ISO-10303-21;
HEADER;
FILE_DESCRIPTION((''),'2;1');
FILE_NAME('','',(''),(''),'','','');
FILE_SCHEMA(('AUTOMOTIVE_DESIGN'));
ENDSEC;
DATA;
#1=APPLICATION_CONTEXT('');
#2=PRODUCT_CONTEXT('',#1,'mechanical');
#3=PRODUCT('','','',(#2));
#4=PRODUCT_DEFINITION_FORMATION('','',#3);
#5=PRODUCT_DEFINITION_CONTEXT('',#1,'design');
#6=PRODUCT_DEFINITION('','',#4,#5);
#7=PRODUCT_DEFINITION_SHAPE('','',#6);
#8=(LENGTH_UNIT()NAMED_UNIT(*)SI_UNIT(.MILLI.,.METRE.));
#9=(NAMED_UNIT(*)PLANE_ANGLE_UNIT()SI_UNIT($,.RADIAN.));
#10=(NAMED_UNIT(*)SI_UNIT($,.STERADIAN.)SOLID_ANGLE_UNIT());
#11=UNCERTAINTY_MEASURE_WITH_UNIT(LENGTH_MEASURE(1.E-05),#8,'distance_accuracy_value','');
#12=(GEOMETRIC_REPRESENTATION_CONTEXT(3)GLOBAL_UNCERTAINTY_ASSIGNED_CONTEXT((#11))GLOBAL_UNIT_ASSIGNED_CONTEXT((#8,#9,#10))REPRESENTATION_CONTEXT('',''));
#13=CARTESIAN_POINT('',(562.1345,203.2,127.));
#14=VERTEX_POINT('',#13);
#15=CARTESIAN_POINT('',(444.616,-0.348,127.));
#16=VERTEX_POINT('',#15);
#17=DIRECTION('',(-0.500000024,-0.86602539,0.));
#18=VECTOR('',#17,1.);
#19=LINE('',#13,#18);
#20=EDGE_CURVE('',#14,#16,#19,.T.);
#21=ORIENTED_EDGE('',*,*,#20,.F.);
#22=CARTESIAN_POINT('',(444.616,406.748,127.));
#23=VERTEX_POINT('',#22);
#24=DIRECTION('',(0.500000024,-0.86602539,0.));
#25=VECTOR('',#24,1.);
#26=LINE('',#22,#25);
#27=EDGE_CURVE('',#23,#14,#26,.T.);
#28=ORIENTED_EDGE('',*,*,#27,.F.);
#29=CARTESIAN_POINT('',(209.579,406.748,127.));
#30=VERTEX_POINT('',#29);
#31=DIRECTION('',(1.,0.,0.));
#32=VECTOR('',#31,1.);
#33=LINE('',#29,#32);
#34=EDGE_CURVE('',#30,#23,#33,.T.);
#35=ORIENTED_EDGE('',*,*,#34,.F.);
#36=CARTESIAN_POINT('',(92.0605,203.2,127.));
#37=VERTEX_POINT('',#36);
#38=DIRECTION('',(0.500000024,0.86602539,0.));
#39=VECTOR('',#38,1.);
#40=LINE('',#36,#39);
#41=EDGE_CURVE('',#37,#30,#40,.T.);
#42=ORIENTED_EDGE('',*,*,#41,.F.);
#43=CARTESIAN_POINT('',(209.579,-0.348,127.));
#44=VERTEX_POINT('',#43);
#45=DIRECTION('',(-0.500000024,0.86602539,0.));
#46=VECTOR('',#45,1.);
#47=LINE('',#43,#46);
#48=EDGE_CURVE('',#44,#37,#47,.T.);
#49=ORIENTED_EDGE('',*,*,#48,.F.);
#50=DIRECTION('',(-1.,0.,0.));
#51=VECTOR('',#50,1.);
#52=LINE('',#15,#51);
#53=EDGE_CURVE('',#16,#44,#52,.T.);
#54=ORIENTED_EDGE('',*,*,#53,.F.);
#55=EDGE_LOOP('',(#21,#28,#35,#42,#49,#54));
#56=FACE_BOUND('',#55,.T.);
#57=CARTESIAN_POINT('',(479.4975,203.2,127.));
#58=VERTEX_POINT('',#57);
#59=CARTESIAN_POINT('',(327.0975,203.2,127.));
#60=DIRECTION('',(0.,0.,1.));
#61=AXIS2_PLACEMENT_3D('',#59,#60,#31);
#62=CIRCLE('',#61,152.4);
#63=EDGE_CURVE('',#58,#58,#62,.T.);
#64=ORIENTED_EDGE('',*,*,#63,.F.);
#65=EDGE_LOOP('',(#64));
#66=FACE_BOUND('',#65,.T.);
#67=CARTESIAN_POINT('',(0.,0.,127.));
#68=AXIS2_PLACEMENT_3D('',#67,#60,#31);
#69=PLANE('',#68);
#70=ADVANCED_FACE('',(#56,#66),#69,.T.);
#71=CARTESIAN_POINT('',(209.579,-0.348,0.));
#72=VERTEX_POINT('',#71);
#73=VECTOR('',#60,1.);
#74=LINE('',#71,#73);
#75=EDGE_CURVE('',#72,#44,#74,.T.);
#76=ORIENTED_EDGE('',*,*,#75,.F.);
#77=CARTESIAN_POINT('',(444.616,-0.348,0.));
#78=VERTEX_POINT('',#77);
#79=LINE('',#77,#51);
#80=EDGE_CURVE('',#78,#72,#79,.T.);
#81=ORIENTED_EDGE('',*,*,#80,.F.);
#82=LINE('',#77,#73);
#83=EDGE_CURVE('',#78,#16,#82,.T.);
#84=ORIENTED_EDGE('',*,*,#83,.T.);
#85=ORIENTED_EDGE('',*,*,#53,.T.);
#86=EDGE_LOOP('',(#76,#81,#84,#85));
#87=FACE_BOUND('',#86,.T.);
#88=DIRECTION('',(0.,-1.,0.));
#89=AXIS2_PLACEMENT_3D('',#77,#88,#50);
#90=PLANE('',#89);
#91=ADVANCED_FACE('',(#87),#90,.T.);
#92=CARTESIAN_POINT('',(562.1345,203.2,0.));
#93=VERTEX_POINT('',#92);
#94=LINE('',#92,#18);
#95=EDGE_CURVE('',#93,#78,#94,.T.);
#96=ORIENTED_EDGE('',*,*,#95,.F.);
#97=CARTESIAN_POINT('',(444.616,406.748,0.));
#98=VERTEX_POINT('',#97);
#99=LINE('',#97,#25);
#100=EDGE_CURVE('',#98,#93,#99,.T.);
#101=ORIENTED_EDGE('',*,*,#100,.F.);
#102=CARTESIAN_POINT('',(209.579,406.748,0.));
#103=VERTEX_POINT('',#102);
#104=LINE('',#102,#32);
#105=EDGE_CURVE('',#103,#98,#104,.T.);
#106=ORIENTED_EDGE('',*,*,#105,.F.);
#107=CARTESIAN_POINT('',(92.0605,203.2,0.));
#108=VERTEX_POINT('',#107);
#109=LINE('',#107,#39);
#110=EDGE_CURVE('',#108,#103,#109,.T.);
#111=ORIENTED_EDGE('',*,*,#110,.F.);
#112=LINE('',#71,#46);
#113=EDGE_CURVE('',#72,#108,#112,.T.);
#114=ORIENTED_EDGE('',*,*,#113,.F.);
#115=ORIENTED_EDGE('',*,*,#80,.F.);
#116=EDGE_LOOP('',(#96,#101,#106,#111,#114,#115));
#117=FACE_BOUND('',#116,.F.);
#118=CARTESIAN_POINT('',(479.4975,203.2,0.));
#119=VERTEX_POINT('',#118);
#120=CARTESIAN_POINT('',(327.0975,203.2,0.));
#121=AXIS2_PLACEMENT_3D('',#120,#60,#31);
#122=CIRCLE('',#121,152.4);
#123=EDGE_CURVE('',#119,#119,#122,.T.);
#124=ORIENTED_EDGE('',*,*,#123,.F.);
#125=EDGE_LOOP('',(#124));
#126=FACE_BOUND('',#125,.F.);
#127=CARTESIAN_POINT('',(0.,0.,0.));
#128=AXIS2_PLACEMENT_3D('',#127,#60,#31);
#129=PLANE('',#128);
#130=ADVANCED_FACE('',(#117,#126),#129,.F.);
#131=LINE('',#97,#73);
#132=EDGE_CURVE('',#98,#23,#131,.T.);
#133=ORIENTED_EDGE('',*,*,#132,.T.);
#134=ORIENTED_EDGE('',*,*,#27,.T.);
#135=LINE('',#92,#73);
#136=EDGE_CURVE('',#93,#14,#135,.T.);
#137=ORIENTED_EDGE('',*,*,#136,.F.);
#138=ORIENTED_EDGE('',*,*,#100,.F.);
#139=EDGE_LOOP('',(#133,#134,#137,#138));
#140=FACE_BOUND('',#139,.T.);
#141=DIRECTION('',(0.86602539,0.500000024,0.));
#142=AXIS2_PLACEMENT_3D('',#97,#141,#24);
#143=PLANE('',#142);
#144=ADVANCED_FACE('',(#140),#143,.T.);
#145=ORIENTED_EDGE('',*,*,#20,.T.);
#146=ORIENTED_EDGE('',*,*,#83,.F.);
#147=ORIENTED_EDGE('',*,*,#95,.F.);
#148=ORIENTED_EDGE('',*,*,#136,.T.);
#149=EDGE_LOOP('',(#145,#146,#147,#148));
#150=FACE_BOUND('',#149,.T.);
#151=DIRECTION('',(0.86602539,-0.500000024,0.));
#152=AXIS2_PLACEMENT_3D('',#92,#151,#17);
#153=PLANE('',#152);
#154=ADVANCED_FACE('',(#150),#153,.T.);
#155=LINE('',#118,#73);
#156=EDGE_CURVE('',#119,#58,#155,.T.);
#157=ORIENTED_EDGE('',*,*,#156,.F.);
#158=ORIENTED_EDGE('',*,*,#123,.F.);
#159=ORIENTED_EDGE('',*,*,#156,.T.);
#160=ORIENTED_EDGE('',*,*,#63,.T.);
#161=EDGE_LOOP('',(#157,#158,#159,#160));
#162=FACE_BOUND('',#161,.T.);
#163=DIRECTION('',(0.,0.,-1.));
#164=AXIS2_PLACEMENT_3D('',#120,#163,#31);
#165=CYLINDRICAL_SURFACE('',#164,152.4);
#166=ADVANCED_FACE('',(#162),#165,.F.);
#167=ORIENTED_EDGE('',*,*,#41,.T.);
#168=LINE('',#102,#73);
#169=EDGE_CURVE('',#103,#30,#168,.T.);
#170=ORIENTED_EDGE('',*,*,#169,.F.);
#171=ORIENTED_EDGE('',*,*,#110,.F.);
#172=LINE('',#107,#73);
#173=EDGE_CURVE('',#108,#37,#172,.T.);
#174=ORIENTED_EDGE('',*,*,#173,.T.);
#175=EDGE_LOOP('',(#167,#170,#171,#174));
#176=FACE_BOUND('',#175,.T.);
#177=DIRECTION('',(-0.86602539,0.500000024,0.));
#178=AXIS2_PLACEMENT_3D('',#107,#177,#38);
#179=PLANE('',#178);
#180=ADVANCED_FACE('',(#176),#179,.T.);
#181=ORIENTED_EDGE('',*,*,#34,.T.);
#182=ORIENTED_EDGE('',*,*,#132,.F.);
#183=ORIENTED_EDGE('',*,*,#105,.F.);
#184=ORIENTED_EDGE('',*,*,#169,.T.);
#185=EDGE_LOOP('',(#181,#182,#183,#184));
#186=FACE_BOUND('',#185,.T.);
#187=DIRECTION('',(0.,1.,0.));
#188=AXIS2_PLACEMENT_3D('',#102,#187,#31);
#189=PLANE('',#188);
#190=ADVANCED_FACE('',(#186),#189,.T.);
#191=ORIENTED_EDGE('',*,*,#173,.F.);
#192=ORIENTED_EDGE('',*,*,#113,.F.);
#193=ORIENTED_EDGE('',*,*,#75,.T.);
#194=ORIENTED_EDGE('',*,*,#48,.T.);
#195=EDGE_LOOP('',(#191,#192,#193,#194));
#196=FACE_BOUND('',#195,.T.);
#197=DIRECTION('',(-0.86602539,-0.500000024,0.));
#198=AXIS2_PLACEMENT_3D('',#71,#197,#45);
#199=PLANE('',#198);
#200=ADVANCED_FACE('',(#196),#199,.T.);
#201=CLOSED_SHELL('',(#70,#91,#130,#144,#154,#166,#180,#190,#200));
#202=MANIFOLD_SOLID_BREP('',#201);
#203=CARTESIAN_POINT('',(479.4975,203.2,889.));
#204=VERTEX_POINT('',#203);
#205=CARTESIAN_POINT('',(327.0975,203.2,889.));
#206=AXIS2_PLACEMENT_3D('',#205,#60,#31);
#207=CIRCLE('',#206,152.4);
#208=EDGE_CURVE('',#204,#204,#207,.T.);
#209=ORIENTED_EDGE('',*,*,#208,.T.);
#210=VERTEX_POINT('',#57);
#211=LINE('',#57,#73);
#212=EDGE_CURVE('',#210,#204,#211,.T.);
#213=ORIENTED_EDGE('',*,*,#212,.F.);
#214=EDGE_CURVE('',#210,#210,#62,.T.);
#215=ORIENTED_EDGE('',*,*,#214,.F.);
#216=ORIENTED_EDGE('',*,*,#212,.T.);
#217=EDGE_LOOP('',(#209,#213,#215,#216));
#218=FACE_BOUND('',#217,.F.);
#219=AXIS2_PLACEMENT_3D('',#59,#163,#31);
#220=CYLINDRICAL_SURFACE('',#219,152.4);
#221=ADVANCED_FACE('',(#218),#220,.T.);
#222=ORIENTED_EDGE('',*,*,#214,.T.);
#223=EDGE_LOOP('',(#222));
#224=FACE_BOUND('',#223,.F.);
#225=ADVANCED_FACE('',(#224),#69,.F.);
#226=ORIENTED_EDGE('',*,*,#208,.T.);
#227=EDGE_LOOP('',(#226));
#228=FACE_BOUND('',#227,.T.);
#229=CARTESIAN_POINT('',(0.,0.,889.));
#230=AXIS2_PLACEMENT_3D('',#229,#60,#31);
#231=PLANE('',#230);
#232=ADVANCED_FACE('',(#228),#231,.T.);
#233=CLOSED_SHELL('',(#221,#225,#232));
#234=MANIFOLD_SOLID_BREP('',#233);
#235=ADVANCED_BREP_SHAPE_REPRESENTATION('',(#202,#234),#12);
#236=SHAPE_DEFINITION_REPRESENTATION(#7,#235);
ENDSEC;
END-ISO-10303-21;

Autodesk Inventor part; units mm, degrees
ref_plane "YZ Plane" through (0, 0, 0) normal (1, 0, 0) x (0, 1, 0)
ref_plane "XZ Plane" through (0, 0, 0) normal (0, 1, 0) x (-1, 0, 0)
ref_plane "XY Plane" through (0, 0, 0) normal (0, 0, 1) x (1, 0, 0)
sketch "Sketch1" plane through (0, 0, 0) normal (0, 0, 1) x (1, 0, 0)
  line L0 (1.6553, 0) -> (1.6553, 406.4)
  line L1 (562.1345, 203.2) -> (444.616, -0.348)
  line L2 (444.616, -0.348) -> (209.579, -0.348)
  line L3 (209.579, -0.348) -> (92.0605, 203.2)
  line L4 (92.0605, 203.2) -> (209.579, 406.748)
  line L5 (209.579, 406.748) -> (444.616, 406.748)
  line L6 (444.616, 406.748) -> (562.1345, 203.2)
  circle A0 centre (327.0975, 203.2) radius 152.4
  point P0 (0, 0)
  dimension "d0" = 406.4
  dimension "d1" = 304.8
extrude "Extrusion1" add sketch "Sketch1" along normal blind 127
sketch "Sketch2" plane through (0, 0, 127) normal (0, 0, 1) x (1, 0, 0)
  circle A0 centre (327.0975, 203.2) radius 152.4 projected
  circle A1 centre (327.0975, 203.2) radius 152.4
  point P0 (0, 0)
  dimension "d4" = 304.8
extrude "Extrusion2" add sketch "Sketch2" along normal blind 762
sketch "Sketch3" plane through (0, 0, 0) normal (0, 0, 1) x (1, 0, 0)
  point P0 (0, 0)
properties part number "nut"
